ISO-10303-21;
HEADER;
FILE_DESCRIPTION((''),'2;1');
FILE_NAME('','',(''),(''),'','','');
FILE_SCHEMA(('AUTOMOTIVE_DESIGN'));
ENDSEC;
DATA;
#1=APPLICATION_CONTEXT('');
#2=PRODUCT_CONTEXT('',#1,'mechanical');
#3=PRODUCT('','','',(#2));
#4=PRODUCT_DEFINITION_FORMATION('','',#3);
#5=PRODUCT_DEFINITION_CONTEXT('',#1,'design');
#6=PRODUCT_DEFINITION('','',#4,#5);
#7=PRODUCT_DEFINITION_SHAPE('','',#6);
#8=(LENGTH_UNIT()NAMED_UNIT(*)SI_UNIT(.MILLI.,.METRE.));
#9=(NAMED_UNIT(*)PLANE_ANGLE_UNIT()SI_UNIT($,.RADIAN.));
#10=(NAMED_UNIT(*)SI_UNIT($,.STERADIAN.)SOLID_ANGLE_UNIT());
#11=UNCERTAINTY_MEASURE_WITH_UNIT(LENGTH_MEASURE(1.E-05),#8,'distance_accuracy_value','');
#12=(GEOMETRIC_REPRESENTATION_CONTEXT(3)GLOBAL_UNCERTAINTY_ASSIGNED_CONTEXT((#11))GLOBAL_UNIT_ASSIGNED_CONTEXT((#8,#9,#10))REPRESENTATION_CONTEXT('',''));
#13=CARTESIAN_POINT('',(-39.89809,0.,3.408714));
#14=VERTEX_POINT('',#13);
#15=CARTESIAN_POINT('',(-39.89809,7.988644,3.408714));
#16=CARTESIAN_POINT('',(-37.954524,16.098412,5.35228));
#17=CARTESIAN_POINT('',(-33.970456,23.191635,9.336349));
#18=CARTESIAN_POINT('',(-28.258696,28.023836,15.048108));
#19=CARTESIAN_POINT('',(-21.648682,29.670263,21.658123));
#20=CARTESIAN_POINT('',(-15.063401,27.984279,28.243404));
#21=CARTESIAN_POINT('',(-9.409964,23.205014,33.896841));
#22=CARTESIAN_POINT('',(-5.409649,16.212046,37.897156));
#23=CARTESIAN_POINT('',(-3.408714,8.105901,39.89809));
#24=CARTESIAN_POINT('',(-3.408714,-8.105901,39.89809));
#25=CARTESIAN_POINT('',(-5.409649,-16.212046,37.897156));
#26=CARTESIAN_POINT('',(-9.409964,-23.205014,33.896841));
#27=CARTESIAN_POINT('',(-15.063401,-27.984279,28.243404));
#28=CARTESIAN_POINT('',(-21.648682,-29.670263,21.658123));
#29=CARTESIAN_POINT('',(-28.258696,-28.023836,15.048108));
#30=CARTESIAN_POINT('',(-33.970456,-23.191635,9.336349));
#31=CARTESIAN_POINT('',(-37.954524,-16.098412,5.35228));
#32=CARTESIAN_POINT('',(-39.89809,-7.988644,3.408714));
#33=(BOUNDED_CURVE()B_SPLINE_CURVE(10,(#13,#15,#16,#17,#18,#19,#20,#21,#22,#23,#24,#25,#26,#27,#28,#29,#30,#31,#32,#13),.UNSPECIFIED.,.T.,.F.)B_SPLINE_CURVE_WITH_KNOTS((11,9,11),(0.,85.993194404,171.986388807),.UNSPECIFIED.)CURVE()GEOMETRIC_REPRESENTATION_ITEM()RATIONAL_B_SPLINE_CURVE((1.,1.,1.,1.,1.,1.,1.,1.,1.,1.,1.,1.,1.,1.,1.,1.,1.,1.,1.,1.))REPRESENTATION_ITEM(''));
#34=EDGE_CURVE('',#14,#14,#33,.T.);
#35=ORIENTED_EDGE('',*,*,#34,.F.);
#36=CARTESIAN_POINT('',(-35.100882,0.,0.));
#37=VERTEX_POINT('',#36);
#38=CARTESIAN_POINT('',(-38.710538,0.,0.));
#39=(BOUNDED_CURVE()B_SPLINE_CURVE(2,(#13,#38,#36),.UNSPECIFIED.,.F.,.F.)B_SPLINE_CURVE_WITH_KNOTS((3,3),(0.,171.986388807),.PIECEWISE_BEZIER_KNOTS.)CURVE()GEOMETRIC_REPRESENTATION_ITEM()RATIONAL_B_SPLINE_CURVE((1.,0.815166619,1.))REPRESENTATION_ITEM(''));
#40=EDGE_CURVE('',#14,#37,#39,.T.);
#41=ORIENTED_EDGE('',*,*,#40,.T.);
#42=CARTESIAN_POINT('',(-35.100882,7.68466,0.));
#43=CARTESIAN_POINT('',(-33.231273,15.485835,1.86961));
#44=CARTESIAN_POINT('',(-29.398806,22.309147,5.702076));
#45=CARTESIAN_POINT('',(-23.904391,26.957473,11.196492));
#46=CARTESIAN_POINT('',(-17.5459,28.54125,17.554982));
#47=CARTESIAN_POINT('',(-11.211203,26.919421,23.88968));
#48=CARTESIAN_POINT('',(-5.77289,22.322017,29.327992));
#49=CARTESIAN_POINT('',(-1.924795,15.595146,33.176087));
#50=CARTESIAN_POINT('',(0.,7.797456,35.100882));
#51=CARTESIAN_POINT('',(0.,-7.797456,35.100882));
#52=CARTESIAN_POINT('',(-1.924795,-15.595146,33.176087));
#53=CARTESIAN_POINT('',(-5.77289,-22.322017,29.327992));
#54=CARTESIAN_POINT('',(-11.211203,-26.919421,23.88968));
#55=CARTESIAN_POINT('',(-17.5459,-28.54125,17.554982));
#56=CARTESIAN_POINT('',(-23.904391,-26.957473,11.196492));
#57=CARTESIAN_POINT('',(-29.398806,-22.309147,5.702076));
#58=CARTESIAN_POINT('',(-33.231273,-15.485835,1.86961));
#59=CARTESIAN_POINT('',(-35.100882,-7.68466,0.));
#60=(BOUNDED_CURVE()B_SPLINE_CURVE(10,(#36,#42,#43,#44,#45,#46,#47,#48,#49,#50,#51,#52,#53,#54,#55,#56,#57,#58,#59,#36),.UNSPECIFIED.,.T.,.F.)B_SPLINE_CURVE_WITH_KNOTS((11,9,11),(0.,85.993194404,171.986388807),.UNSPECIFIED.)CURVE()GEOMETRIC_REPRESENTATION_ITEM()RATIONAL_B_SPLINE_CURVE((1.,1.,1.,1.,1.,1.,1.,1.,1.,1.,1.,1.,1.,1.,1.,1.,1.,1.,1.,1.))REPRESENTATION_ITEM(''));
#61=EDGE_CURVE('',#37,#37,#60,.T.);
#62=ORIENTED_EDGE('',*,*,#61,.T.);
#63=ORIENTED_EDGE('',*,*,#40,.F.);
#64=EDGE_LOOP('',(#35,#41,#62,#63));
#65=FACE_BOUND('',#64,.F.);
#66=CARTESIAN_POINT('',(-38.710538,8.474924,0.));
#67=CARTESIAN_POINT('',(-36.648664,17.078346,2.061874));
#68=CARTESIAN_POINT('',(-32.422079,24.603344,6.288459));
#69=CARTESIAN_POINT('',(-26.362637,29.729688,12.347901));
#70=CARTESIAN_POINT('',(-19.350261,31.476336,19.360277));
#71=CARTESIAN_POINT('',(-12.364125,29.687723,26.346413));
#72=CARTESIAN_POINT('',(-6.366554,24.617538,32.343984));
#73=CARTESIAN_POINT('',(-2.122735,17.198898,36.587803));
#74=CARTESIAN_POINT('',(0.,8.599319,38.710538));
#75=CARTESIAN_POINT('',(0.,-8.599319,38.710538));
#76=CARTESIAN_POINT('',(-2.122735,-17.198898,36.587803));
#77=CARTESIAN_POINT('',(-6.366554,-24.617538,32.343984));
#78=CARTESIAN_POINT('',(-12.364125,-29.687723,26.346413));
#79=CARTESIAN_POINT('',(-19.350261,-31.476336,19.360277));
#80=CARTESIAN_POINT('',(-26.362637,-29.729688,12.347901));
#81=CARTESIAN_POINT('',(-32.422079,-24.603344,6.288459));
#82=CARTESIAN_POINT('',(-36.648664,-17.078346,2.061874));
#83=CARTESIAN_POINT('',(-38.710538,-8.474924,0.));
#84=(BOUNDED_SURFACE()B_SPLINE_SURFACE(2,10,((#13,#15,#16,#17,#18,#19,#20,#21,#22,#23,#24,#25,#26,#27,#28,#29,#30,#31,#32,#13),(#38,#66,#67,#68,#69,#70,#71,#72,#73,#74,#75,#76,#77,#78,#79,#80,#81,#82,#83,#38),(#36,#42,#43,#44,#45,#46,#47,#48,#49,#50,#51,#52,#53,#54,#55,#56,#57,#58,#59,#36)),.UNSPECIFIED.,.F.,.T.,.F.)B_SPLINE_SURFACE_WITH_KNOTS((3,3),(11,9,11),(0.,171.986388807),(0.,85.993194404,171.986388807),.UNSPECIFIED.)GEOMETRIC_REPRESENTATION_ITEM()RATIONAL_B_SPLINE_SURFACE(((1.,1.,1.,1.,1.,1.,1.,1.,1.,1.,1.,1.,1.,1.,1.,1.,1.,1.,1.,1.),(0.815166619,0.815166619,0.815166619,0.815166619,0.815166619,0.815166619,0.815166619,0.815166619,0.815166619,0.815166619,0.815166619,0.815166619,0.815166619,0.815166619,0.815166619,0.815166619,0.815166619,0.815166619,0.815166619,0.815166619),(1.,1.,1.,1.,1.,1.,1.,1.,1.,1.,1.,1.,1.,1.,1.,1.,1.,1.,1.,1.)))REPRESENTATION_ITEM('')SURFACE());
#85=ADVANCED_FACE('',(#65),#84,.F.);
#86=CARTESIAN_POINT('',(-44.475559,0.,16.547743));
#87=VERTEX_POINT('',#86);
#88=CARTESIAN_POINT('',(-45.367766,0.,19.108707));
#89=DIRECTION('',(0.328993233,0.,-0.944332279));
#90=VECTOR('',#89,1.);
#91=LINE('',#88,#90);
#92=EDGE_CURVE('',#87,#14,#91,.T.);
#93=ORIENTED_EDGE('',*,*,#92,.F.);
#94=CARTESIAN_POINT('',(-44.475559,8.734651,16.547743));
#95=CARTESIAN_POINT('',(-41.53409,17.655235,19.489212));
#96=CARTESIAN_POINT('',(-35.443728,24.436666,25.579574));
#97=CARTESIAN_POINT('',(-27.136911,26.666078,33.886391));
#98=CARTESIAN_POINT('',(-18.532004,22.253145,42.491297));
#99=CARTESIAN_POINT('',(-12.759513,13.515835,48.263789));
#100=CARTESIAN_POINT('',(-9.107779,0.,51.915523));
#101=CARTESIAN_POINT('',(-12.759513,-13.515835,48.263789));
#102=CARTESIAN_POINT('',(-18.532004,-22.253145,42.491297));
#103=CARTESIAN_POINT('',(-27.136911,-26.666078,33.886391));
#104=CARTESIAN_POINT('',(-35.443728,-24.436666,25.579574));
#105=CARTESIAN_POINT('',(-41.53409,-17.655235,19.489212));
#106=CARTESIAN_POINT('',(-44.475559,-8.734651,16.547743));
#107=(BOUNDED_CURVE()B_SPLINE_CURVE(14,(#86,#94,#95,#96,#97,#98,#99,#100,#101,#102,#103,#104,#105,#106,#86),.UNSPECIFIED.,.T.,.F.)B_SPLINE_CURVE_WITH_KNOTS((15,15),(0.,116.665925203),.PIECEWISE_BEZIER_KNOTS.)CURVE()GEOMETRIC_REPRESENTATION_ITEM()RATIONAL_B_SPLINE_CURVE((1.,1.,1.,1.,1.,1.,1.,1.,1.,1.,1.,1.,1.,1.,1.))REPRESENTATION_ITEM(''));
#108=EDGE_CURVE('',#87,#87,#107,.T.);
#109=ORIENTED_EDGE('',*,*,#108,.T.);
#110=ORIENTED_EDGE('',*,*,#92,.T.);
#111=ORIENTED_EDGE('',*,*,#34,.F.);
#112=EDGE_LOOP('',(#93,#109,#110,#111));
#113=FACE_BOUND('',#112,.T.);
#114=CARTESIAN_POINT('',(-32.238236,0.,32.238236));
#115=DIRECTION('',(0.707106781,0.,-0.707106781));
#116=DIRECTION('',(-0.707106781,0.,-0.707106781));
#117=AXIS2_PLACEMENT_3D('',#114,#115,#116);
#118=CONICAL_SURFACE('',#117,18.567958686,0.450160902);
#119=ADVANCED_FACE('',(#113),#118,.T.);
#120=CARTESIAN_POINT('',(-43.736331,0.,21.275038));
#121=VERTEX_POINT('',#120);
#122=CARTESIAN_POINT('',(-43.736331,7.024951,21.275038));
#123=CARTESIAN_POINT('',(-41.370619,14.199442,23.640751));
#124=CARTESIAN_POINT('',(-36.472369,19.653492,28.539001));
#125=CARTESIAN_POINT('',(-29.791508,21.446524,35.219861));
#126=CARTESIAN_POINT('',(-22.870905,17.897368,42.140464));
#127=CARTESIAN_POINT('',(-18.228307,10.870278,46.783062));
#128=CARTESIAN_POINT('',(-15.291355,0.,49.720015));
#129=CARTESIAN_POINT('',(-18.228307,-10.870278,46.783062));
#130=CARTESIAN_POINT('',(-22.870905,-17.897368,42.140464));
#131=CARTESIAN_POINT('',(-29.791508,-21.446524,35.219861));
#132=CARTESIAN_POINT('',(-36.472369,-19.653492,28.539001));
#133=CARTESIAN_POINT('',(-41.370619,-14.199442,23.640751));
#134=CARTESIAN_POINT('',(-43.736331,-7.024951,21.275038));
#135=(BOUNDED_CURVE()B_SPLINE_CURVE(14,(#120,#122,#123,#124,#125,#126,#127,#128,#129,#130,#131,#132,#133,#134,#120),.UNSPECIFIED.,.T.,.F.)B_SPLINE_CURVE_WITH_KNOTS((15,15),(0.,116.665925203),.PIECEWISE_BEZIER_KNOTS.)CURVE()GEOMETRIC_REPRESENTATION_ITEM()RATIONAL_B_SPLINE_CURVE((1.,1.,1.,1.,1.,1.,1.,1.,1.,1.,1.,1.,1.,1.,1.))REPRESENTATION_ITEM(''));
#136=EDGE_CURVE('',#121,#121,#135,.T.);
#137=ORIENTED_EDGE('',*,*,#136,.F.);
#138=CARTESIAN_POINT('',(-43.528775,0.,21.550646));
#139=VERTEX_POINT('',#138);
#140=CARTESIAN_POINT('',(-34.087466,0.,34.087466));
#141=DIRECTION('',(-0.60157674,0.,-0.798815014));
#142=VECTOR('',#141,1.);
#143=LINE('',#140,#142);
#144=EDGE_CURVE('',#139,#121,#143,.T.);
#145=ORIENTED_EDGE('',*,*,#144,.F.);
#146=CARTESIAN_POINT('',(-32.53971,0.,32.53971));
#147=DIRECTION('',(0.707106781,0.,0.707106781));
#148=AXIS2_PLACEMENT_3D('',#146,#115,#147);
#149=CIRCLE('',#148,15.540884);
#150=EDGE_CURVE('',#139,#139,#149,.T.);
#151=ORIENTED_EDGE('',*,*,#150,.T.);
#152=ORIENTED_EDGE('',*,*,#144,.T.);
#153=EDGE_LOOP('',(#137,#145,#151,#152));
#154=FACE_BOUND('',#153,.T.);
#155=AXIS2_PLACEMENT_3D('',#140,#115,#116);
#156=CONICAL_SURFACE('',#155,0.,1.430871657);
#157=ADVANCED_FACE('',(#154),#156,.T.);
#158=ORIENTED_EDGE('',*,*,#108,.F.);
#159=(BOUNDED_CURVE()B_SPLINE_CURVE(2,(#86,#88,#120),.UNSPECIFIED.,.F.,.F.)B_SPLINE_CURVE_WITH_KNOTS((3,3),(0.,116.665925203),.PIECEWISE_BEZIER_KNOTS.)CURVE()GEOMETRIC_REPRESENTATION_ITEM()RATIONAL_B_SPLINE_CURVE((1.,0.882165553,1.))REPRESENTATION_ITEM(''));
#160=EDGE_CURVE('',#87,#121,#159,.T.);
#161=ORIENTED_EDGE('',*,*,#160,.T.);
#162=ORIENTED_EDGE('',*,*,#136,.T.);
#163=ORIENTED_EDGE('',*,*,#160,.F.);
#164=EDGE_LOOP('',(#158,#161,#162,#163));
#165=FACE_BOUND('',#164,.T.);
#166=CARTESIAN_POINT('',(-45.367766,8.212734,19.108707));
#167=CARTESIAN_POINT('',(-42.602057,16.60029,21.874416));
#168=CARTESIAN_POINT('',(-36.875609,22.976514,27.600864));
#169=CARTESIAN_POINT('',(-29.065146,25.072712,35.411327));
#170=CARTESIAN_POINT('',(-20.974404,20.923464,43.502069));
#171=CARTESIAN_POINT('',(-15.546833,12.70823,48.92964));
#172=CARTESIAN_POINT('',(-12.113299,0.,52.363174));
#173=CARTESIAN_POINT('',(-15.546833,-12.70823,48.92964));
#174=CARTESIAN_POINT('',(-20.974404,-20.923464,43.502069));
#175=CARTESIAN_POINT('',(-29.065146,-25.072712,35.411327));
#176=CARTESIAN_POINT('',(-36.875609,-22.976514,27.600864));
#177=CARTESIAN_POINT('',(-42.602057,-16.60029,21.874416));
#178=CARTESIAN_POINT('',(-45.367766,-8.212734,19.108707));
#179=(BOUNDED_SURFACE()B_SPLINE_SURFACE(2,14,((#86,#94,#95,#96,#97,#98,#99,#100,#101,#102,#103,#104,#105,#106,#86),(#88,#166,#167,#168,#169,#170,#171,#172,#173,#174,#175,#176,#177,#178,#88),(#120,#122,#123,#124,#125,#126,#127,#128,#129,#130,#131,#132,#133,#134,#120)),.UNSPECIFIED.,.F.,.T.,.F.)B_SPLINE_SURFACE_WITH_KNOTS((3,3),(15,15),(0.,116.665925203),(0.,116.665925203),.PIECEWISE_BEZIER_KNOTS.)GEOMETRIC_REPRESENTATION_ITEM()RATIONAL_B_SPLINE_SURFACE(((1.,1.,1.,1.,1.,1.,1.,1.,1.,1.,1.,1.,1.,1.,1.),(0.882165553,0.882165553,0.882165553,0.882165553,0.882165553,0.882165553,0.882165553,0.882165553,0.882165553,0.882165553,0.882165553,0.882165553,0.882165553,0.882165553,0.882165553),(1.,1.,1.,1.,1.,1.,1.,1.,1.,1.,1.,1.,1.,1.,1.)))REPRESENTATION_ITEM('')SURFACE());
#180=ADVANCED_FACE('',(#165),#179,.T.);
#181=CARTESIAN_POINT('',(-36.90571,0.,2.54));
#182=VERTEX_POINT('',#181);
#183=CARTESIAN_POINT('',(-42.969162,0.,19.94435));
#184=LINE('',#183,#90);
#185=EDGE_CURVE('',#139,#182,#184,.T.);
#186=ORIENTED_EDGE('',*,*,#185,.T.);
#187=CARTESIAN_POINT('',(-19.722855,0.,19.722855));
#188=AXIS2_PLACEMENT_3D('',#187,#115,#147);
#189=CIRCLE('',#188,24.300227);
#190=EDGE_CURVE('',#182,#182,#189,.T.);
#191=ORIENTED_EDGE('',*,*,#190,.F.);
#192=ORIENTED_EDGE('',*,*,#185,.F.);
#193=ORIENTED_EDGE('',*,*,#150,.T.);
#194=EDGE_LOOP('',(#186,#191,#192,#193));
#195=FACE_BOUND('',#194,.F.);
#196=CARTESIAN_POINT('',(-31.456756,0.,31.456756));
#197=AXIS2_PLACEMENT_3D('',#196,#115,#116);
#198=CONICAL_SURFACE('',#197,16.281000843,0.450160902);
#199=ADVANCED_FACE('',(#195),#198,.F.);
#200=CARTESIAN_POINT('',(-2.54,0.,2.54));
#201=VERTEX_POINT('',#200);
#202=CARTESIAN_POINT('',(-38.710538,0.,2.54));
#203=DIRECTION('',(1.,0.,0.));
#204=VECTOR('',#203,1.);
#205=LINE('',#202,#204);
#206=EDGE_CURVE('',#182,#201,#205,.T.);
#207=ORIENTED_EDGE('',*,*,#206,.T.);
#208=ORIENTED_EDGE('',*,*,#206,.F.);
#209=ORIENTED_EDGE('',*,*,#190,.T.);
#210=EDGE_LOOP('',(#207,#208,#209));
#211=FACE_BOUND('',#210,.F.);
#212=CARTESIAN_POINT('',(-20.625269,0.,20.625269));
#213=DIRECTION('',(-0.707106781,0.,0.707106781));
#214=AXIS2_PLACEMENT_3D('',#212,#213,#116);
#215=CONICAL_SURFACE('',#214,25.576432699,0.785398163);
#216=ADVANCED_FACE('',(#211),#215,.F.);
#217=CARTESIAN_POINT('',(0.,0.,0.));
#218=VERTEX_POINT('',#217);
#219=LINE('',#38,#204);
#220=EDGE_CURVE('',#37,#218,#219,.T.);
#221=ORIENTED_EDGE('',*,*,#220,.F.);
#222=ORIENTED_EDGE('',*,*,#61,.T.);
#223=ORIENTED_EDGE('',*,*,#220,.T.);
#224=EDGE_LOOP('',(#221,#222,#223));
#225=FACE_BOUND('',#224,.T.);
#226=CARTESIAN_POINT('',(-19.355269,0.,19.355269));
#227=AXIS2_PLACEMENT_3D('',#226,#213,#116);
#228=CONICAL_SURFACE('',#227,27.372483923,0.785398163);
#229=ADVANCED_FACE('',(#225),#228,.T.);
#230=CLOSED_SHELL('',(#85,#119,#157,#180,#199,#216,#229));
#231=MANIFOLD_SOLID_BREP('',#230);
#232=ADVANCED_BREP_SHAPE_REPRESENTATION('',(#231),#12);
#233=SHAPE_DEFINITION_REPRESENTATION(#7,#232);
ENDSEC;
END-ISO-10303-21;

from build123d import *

# Parameters (mm, degrees)
F2_T = -2.54
F3_R = 5.08
F4_R = 5.08


with BuildPart() as f1:
    # F0 (on Front) → F1 (revolve)
    with BuildSketch(Plane.XZ):
        Polygon((-38.710538, 0), (0, 0), (-34.087466, 34.087466), (-45.367766, 19.108707), align=None)
    revolve(axis=Axis((-17.043733, 0, 17.043733), (0.707107, 0, -0.707107)))

    # F2
    f2_openings = [f1.faces().sort_by_distance(p)[0] for p in [
        (-26.598087, 0, 39.727616),
    ]]
    offset(amount=F2_T, openings=f2_openings)

    # F3
    f3_edges = [f1.edges().sort_by_distance(p)[0] for p in [
        (-19.108707, 0, 45.367766),
    ]]
    fillet(f3_edges, radius=F3_R)

    # F4
    f4_edges = [f1.edges().sort_by_distance(p)[0] for p in [
        (0, 0, 38.710538),
    ]]
    fillet(f4_edges, radius=F4_R)


solid = f1.part
